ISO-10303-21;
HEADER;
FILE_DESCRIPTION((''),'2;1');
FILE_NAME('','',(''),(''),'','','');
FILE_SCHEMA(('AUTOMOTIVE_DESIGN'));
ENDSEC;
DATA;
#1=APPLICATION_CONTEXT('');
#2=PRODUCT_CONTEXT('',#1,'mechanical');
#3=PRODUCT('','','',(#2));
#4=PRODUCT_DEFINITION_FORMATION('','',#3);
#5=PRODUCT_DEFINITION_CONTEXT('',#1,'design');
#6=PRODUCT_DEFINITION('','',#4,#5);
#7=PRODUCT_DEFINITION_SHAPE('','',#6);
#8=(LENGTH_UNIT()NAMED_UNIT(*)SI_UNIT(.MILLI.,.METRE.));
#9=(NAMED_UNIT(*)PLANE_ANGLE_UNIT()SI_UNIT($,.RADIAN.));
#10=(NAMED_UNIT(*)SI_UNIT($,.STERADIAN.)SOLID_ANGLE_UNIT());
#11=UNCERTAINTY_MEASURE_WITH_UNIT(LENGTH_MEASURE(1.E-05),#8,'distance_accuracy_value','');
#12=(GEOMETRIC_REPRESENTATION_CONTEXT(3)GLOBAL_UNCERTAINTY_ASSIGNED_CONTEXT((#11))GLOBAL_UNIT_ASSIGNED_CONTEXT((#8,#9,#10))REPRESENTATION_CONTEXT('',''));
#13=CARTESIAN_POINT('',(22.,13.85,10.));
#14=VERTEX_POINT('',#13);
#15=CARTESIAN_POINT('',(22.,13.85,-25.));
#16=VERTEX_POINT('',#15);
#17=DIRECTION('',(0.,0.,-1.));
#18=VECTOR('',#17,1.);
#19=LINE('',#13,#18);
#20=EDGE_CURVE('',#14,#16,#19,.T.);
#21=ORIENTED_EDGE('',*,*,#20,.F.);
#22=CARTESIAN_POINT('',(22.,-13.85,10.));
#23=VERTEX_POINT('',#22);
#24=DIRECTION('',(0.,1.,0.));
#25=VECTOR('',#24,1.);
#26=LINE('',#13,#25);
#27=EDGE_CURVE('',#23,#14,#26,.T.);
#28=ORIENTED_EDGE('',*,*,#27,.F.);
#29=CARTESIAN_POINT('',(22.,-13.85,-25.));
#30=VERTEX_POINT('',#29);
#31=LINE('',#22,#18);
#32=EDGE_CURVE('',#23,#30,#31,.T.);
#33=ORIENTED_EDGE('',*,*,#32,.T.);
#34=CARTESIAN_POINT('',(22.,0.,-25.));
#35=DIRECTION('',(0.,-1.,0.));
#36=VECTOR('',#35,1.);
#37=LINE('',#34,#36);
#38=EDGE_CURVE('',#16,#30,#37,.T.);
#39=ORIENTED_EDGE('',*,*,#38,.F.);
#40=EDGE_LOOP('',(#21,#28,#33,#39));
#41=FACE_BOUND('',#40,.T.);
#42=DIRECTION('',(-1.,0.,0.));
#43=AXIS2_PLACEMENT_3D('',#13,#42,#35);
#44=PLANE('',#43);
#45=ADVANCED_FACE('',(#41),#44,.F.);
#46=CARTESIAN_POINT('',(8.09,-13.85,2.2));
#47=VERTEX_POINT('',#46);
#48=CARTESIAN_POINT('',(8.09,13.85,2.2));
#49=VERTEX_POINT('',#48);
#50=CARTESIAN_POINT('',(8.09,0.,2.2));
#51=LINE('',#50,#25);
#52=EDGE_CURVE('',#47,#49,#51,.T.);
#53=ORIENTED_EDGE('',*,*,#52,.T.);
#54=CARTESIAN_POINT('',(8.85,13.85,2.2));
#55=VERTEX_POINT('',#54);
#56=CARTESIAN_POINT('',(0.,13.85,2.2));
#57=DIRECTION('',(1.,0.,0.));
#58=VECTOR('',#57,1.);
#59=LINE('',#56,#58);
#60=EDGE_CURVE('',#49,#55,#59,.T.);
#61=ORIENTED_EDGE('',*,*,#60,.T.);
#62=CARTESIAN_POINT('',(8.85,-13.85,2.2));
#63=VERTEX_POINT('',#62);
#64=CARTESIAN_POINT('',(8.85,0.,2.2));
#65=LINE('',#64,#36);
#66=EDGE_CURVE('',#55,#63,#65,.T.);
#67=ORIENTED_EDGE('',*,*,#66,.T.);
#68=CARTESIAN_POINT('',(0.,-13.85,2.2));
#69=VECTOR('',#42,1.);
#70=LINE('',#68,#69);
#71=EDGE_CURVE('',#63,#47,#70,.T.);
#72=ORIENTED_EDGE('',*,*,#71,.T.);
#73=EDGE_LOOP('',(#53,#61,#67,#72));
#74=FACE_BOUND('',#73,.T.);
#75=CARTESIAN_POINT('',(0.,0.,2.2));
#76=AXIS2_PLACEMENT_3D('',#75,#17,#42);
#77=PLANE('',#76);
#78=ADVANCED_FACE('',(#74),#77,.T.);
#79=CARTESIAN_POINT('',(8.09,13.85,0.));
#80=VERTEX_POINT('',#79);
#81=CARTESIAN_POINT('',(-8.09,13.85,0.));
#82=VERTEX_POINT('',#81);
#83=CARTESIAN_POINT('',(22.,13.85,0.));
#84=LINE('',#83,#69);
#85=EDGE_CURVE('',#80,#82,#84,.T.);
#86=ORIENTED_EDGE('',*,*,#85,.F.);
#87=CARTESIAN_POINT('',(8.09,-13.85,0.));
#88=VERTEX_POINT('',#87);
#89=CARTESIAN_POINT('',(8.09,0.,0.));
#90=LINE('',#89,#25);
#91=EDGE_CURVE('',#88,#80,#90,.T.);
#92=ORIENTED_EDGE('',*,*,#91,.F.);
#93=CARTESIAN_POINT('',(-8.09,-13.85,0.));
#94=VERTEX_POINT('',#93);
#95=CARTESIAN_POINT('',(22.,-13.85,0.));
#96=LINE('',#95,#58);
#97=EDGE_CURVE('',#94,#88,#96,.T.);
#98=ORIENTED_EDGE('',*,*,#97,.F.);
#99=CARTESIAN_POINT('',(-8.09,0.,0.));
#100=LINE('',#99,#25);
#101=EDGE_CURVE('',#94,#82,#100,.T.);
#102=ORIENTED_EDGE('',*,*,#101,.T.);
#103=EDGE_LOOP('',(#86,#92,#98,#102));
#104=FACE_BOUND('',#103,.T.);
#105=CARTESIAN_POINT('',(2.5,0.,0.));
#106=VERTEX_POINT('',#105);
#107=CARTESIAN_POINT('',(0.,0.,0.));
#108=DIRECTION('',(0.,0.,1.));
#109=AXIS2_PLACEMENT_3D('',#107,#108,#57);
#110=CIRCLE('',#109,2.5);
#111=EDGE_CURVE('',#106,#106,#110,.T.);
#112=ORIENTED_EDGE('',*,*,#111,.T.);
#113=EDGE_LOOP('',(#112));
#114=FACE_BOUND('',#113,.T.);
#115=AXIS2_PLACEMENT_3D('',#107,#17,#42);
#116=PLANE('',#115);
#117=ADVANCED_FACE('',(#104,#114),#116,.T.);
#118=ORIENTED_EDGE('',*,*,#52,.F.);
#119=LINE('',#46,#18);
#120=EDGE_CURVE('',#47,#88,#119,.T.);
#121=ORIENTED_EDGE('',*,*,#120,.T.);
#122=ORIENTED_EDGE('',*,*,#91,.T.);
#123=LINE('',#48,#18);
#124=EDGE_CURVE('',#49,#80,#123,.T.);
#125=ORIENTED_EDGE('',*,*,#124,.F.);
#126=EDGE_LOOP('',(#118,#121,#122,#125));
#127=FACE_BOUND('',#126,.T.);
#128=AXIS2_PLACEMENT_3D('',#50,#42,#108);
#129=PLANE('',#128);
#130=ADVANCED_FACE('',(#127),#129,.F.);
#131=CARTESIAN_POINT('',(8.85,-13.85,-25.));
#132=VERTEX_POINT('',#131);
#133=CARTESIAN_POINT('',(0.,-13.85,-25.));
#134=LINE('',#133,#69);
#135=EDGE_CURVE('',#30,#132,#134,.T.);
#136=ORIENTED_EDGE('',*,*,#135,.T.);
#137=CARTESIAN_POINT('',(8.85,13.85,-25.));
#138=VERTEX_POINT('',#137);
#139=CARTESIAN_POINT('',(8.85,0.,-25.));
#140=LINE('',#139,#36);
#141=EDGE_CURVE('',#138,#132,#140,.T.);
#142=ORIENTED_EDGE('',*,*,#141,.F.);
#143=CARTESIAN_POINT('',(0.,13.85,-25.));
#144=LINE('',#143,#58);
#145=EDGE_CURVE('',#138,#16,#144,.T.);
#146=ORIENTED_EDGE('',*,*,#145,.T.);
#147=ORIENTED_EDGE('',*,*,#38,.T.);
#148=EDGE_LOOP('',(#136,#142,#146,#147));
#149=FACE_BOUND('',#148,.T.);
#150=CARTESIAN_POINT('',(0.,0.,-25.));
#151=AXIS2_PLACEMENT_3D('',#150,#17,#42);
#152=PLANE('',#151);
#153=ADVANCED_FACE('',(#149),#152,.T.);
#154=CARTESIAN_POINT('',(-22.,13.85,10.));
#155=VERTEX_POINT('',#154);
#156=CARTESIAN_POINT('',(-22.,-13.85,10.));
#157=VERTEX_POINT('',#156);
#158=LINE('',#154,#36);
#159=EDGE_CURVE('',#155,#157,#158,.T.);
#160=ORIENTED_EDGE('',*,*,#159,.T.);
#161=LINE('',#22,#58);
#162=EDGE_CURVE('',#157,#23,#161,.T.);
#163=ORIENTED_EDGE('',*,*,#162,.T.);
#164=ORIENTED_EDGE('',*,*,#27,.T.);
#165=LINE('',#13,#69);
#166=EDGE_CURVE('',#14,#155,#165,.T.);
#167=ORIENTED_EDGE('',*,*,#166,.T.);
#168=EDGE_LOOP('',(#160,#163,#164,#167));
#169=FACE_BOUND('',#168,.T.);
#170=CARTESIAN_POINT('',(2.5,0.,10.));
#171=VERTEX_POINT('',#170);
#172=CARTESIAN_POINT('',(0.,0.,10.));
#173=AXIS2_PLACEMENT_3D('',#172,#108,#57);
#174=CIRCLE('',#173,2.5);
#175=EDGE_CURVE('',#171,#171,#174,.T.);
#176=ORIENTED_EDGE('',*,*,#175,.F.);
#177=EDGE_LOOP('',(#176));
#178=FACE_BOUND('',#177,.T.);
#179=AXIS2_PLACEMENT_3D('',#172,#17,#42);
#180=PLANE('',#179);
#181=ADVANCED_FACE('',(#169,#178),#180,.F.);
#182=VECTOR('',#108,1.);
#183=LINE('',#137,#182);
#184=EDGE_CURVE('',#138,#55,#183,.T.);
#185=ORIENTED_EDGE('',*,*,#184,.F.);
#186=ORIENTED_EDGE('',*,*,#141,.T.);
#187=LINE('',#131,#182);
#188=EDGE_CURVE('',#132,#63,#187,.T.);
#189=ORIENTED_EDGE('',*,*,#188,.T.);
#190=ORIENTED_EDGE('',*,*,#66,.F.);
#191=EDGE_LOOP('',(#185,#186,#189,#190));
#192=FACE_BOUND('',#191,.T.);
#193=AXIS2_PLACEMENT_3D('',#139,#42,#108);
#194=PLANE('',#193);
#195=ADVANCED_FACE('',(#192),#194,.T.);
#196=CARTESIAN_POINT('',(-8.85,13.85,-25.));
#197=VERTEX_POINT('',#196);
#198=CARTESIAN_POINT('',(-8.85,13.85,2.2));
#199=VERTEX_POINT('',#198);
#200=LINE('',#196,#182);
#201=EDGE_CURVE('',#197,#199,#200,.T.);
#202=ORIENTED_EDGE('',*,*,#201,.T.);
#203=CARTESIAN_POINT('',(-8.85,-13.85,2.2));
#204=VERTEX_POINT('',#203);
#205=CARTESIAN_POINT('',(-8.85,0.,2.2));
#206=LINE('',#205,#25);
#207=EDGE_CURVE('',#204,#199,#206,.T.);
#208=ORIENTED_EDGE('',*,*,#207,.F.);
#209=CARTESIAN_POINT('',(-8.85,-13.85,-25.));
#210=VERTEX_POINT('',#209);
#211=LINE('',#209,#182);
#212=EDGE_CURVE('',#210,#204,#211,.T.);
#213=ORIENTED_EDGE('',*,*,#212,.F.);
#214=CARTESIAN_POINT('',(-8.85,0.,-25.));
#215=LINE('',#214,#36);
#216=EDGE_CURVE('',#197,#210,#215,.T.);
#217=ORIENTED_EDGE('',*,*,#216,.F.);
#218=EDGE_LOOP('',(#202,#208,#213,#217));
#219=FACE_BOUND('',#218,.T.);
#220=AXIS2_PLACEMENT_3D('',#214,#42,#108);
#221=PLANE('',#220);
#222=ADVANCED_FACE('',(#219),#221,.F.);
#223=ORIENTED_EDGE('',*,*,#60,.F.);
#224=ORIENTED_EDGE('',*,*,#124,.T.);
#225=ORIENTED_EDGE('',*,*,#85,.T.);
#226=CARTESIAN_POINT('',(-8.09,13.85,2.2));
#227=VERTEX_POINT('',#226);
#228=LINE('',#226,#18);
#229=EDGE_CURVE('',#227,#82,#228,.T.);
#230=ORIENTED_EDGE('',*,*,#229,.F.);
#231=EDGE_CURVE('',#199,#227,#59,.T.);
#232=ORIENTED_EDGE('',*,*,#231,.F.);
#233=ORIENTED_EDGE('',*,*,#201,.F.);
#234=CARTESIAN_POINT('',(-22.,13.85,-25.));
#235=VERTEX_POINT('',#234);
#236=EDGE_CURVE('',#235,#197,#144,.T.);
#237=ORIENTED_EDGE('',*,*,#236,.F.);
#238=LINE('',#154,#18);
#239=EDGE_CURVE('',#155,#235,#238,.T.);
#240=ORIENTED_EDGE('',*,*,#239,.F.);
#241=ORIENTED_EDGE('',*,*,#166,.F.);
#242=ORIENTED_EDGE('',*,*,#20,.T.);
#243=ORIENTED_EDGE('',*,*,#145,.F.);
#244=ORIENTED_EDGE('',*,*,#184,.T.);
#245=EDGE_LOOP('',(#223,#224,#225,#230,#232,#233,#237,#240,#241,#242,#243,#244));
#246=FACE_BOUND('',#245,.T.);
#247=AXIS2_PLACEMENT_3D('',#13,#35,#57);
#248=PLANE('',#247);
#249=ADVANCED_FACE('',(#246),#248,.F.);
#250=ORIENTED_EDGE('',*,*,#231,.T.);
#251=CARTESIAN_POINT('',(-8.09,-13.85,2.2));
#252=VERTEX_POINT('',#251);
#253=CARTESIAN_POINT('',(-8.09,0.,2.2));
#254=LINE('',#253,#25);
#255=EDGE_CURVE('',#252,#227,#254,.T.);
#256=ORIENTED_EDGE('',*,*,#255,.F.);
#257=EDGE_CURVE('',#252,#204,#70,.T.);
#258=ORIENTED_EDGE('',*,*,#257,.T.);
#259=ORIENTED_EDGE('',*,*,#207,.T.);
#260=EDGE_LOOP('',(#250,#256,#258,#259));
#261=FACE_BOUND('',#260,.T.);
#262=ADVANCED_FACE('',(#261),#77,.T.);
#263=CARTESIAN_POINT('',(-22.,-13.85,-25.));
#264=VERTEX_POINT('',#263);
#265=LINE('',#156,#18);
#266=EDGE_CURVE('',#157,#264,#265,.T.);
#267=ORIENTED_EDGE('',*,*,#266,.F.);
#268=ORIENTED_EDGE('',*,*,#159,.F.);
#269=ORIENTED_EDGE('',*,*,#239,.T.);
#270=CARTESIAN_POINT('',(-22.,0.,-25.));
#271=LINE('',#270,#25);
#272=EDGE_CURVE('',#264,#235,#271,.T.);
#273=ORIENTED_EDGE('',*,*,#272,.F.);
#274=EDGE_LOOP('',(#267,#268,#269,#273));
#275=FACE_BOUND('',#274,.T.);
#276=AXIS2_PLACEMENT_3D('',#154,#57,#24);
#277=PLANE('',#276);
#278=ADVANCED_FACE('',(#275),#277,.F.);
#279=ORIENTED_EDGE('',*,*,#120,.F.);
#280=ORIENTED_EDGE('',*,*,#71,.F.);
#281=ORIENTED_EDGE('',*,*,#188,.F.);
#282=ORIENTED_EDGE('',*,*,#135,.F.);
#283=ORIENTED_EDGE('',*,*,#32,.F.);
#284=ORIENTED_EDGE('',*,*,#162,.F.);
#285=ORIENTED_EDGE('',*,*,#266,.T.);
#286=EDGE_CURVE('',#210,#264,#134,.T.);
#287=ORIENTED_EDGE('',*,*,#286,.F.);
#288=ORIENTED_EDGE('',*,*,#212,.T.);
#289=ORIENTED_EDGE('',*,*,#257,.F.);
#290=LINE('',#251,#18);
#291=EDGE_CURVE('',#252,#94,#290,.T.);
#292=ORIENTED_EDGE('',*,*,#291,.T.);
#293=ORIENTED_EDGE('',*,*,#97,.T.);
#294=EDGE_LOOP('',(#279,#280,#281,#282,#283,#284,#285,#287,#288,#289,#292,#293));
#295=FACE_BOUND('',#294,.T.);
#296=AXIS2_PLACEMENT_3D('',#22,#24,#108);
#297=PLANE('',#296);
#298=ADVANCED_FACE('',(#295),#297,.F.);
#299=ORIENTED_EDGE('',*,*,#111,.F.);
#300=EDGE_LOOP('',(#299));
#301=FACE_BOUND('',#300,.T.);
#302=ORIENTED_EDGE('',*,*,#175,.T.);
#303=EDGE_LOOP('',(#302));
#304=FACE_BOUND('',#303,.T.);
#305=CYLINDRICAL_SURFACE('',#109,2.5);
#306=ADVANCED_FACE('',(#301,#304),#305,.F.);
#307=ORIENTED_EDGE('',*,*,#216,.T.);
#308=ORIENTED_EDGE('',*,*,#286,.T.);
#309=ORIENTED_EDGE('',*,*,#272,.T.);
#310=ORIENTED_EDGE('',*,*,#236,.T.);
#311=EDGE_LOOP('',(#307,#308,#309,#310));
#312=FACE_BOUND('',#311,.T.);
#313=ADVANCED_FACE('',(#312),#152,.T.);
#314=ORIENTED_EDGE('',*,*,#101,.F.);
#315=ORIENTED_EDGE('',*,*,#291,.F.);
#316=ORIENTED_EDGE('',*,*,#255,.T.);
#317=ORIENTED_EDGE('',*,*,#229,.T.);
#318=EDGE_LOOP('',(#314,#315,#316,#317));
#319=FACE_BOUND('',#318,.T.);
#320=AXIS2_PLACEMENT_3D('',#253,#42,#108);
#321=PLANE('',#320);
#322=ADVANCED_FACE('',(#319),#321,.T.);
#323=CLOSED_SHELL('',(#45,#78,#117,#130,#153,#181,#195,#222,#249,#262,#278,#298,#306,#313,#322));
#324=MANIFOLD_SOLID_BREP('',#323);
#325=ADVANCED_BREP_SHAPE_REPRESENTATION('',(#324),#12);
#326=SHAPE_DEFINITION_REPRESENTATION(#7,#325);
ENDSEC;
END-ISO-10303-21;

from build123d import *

# Parameters (mm, degrees)
SKETCH1_W           = 44
SKETCH1_H           = 27.7
BOSS_EXTRUDE1_DEPTH = 10
SKETCH2_W           = 13.15
SKETCH2_H           = 27.7
BOSS_EXTRUDE2_DEPTH = 25
SKETCH3_R           = 2.5
CUT_EXTRUDE1_DEPTH  = 10
SKETCH4_W           = 0.76
SKETCH4_H           = 27.7
CUT_EXTRUDE2_DEPTH  = 2.2


with BuildPart() as part:
    # Sketch1 → Boss-Extrude1 (new body)
    with BuildSketch(Plane.XY):
        Rectangle(SKETCH1_W, SKETCH1_H)
    extrude(amount=BOSS_EXTRUDE1_DEPTH)

    # Sketch2 → Boss-Extrude2 (add)
    with BuildSketch(Plane(origin=(0, 0, 0), x_dir=(-1, 0, 0), z_dir=(0, 0, -1))):
        with Locations((-15.425, 0)):
            Rectangle(SKETCH2_W, SKETCH2_H)
        with Locations((15.425, 0)):
            Rectangle(SKETCH2_W, SKETCH2_H)
    extrude(amount=BOSS_EXTRUDE2_DEPTH)

    # Sketch3 → Cut-Extrude1 (cut)
    with BuildSketch(Plane.XY.offset(10)):
        Circle(SKETCH3_R)
    extrude(amount=-CUT_EXTRUDE1_DEPTH, mode=Mode.SUBTRACT)

    # Sketch4 → Cut-Extrude2 (cut)
    with BuildSketch(Plane(origin=(0, 0, 0), x_dir=(-1, 0, 0), z_dir=(0, 0, -1))):
        with Locations((-8.47, 0)):
            Rectangle(SKETCH4_W, SKETCH4_H)
        with Locations((8.47, 0)):
            Rectangle(SKETCH4_W, SKETCH4_H)
    extrude(amount=-CUT_EXTRUDE2_DEPTH, mode=Mode.SUBTRACT)


solid = part.part
